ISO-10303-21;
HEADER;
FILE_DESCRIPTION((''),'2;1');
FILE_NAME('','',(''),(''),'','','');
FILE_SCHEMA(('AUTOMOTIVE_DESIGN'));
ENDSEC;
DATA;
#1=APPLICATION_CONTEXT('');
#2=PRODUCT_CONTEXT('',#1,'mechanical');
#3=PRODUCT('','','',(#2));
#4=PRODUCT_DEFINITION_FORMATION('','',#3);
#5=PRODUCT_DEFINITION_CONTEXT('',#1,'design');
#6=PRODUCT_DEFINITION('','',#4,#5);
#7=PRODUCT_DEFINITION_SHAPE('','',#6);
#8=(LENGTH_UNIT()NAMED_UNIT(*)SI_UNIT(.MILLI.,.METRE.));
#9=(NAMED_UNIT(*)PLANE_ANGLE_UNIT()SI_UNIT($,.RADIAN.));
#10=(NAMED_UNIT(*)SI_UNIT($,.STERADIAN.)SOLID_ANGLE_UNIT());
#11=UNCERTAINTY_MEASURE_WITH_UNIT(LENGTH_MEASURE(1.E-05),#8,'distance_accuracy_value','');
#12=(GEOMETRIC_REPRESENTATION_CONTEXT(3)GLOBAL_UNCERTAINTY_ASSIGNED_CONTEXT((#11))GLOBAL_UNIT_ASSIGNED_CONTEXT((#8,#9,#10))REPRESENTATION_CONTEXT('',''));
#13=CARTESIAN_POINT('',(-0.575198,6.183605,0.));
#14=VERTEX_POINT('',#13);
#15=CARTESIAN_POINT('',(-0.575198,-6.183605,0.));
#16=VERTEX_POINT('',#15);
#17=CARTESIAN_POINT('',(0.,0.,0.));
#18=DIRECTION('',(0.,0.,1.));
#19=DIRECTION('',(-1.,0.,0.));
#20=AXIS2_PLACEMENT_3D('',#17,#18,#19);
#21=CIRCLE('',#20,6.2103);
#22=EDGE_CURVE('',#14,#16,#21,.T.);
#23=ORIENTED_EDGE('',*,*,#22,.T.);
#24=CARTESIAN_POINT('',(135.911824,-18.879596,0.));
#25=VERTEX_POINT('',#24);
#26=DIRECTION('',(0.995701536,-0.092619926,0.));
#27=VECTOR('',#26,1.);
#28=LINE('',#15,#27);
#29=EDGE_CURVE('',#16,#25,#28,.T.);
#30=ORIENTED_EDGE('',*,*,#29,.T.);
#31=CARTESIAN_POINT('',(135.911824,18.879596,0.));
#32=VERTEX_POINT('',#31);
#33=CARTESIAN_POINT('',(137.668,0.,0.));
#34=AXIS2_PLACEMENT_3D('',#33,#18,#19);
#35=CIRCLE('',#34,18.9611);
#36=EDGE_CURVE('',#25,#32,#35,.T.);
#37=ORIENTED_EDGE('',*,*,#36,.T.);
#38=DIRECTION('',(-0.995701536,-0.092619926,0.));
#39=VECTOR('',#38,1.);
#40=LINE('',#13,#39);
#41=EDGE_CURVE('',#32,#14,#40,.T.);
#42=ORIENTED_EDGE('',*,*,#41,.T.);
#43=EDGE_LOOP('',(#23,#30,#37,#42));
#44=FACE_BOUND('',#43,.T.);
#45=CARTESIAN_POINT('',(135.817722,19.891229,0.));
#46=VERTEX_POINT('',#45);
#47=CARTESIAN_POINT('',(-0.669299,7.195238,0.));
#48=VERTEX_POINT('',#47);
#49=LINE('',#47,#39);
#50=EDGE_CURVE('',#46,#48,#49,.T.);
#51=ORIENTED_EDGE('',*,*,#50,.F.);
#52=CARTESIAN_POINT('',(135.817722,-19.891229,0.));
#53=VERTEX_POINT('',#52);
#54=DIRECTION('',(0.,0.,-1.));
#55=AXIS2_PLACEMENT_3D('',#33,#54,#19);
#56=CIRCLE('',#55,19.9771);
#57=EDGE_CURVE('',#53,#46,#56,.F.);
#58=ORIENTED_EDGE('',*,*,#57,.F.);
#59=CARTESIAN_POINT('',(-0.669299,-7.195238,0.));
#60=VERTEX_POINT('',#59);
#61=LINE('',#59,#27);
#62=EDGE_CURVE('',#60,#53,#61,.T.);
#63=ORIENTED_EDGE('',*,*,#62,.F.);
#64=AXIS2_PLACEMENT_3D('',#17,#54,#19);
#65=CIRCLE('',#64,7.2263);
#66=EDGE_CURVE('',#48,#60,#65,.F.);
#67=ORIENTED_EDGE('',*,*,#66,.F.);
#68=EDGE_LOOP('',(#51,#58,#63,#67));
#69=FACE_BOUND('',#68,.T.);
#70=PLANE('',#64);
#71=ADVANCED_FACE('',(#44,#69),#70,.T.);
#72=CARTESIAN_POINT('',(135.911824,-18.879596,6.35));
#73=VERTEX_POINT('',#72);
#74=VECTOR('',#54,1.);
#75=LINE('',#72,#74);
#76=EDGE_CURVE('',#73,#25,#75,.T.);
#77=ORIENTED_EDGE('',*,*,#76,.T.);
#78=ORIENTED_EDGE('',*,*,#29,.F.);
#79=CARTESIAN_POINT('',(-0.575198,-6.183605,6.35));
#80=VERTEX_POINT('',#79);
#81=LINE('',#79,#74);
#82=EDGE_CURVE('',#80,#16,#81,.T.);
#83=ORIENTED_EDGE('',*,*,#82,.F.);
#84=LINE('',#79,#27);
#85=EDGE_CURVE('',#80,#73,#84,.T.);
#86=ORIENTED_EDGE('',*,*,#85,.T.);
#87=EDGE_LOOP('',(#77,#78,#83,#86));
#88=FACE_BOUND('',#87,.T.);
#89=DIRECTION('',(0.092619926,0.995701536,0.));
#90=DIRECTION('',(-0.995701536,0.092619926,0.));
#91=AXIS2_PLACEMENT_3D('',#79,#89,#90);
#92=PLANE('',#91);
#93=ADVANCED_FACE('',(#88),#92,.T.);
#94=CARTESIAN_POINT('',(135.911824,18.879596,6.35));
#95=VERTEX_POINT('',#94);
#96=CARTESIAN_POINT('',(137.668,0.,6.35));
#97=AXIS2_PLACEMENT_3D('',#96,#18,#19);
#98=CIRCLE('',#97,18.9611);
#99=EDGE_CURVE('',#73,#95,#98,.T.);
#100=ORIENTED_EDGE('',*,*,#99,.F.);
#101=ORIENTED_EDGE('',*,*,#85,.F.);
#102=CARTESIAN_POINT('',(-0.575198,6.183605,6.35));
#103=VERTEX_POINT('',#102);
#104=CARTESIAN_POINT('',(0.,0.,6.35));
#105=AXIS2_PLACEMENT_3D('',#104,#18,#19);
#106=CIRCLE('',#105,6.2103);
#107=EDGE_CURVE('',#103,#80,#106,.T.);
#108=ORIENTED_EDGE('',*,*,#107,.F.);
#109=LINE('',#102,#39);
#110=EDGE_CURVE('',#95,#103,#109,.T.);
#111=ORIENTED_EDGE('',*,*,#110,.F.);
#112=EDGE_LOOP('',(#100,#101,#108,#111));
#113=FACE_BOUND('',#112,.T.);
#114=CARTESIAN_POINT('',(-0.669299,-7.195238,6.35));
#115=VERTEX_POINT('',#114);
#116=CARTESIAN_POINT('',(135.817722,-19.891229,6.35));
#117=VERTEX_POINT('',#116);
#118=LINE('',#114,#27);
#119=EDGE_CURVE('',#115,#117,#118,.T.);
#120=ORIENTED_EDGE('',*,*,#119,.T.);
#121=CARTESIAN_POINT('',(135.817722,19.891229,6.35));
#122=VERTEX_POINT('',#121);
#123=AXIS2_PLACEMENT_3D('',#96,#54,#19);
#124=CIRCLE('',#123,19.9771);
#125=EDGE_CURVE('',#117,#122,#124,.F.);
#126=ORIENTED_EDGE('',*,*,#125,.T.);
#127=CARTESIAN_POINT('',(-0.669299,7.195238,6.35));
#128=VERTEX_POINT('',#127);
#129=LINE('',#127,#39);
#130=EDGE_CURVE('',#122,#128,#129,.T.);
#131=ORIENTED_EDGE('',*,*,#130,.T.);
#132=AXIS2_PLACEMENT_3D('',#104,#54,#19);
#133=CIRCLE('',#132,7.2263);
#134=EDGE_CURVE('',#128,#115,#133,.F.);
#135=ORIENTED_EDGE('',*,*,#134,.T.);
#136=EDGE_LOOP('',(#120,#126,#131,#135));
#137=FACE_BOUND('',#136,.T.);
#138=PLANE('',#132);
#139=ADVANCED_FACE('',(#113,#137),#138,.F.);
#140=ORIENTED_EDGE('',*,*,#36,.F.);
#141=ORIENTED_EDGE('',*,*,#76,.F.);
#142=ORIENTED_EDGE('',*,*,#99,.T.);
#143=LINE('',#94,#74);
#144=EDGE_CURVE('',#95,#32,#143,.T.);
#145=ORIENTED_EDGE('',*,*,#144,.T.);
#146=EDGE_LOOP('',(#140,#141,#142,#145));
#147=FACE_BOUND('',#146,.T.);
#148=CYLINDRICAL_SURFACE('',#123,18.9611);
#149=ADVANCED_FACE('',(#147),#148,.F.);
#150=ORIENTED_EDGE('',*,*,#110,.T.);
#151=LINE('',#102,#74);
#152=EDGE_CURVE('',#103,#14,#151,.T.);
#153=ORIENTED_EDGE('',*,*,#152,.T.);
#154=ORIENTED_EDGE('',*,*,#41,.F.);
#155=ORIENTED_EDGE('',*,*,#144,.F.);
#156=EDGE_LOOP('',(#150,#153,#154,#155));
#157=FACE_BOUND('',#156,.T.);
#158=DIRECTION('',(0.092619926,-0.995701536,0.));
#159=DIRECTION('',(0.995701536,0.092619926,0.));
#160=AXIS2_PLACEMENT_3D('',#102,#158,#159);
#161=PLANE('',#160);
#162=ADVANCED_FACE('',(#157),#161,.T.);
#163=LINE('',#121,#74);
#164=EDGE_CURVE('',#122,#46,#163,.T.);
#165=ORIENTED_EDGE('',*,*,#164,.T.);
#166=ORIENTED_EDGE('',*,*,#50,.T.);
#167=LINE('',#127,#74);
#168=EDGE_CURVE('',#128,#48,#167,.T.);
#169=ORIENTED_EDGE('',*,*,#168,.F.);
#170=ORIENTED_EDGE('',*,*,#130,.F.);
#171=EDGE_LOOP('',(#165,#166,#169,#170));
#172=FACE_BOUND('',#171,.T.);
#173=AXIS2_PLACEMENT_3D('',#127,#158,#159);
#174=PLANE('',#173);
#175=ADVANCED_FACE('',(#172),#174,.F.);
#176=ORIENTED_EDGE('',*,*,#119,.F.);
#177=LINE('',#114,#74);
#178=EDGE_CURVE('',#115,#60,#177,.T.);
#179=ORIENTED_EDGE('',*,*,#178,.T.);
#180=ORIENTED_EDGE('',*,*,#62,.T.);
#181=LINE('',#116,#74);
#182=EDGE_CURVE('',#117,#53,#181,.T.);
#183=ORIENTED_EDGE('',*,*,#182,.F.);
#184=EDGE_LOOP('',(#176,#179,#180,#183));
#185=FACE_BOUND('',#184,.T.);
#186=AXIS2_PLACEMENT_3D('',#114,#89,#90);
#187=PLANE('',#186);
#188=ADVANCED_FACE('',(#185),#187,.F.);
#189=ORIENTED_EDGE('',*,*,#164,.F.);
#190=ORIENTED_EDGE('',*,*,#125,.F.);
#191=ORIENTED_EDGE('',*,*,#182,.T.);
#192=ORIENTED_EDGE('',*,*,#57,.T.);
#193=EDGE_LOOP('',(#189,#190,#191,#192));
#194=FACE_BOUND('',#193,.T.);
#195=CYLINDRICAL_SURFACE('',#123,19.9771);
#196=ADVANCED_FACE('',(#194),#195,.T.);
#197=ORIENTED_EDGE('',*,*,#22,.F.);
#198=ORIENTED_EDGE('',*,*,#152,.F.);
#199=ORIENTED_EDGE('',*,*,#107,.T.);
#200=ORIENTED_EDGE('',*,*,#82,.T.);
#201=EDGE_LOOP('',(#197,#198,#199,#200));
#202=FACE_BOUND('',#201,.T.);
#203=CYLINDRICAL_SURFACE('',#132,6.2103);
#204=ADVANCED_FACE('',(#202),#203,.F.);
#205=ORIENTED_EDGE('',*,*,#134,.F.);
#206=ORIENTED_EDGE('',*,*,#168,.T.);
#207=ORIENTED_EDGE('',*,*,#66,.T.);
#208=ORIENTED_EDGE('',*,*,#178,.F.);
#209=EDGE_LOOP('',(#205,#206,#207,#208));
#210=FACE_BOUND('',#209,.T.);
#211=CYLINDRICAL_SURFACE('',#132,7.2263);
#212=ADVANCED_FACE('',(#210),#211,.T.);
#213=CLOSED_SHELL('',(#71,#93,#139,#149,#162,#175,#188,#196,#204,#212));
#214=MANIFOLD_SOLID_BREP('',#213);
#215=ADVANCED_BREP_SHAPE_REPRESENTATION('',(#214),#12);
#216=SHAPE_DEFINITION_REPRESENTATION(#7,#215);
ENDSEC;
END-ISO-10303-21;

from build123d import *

# Parameters (mm, degrees)
EXTRUDE_THIN1_DEPTH = 6.35


with BuildPart() as part:
    # Sketch1 → Extrude-Thin1 (new body)
    with BuildSketch(Plane.XY):
        with BuildLine():
            Line((135.817722472, -19.89122916), (-0.669299373, -7.195238011))
            ThreePointArc((-0.669299373, -7.195238011), (-7.2263, 0), (-0.669299373, 7.195238011))
            Line((-0.669299373, 7.195238011), (135.817722472, 19.89122916))
            ThreePointArc((135.817722472, 19.89122916), (157.6451, 0), (135.817722472, -19.89122916))
        make_face()
        with BuildLine():
            Line((135.911824317, -18.879596399), (-0.575197528, -6.183605251))
            ThreePointArc((-0.575197528, -6.183605251), (-6.2103, 0), (-0.575197528, 6.183605251))
            Line((-0.575197528, 6.183605251), (135.911824317, 18.879596399))
            ThreePointArc((135.911824317, 18.879596399), (156.6291, 0), (135.911824317, -18.879596399))
        make_face(mode=Mode.SUBTRACT)
    extrude(amount=EXTRUDE_THIN1_DEPTH)


solid = part.part
